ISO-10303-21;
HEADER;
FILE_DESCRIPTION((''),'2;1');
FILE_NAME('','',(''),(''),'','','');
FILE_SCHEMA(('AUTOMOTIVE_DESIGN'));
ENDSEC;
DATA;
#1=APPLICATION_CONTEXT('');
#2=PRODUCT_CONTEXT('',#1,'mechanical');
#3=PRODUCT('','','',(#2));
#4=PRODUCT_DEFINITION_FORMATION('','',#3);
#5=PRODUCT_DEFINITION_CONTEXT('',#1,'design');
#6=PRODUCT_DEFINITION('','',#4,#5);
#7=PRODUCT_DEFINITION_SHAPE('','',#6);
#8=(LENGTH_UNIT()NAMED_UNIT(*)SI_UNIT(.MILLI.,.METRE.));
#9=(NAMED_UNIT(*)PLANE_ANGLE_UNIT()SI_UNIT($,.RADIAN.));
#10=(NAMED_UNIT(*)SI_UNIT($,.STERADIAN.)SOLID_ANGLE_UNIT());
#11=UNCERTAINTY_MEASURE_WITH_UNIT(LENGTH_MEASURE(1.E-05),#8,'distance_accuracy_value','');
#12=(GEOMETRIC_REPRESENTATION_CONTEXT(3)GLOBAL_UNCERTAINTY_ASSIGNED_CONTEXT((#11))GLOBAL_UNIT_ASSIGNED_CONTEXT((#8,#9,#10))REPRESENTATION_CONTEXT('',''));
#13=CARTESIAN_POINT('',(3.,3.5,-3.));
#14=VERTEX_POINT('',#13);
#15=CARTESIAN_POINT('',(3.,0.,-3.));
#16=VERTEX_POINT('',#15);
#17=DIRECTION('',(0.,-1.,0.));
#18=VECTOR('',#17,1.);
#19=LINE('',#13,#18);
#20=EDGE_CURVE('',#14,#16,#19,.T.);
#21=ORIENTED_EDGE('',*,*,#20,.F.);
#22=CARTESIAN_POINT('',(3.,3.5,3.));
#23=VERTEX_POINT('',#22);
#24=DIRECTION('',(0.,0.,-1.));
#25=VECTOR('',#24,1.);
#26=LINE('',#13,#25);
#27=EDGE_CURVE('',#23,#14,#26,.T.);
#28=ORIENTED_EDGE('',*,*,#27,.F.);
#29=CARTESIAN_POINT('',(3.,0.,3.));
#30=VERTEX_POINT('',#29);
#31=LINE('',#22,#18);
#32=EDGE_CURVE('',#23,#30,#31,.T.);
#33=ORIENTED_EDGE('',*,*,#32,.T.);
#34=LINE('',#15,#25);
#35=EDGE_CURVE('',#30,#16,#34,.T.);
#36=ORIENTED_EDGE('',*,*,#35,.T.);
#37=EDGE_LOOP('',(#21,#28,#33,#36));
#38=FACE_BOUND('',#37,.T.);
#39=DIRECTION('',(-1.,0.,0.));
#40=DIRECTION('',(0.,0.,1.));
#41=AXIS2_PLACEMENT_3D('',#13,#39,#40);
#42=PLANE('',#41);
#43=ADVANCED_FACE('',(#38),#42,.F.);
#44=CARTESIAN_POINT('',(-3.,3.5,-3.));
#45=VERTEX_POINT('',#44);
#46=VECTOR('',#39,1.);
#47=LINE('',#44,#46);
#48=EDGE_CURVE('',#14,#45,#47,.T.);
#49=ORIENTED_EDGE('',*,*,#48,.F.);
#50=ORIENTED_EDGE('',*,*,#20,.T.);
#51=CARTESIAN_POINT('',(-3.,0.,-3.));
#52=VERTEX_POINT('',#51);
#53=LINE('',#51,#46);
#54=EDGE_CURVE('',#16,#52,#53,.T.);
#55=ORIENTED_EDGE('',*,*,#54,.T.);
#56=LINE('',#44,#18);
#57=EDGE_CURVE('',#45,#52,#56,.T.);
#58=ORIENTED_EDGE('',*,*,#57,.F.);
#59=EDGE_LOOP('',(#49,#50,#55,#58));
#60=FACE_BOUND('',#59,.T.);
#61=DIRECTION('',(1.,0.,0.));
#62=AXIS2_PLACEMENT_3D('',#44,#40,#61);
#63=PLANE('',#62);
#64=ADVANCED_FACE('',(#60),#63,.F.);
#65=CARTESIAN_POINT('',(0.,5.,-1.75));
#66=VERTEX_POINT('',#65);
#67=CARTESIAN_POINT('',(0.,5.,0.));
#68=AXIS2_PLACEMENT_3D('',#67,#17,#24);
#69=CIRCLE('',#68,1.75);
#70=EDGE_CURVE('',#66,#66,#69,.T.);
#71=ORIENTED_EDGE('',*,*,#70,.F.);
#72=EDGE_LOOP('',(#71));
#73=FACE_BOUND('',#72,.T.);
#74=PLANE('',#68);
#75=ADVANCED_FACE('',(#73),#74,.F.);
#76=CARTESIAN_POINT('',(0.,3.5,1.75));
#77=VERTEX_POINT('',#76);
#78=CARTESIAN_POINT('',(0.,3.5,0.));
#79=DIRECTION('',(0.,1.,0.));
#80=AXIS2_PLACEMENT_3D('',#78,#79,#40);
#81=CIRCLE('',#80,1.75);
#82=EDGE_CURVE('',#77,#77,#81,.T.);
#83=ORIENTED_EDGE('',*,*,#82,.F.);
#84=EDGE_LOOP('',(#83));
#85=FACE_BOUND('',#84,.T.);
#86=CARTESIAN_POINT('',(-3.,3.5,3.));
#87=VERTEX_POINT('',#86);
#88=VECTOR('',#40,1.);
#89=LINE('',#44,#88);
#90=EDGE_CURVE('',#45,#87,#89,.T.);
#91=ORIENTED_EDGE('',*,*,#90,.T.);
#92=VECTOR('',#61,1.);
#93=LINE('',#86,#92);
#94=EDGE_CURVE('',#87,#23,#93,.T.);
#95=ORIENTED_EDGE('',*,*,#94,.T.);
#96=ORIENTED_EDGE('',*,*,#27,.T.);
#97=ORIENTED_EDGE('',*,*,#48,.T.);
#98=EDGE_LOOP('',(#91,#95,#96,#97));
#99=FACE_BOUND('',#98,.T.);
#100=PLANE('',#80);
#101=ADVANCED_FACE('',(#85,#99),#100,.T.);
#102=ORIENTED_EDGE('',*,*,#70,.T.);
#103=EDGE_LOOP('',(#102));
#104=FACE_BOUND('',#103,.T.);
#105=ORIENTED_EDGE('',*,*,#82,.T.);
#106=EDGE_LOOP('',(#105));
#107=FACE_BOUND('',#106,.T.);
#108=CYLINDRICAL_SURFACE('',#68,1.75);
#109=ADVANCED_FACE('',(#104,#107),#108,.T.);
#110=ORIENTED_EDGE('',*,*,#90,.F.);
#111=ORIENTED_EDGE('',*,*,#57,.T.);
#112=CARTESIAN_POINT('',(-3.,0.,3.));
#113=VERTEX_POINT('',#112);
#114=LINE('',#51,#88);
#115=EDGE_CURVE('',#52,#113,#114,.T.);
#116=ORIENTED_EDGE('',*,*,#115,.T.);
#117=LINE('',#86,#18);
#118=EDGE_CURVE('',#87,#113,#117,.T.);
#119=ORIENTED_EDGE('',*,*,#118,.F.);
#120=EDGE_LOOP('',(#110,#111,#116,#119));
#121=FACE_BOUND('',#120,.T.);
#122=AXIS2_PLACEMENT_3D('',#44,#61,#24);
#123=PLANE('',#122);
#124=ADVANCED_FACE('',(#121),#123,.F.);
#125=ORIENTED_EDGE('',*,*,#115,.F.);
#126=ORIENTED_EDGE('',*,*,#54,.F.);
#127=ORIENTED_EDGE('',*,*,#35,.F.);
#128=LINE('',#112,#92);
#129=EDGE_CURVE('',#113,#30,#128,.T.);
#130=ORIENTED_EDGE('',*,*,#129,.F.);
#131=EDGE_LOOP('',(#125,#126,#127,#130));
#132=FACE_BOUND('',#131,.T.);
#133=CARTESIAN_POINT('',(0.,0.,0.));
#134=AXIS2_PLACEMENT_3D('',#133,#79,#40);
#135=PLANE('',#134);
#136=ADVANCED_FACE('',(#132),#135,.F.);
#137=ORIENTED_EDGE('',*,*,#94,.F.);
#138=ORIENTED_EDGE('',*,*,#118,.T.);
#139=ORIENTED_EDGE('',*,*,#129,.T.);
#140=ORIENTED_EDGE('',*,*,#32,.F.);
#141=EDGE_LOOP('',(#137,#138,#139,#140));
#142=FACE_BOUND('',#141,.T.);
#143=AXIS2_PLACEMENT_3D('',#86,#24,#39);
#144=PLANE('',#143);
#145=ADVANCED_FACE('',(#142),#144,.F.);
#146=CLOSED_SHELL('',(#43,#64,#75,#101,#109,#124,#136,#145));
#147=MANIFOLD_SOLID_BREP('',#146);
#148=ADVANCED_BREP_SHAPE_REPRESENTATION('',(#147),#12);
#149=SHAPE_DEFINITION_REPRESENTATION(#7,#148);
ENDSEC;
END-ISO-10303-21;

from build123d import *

# Parameters (mm, degrees)
SKETCH_1_W      = 6
SKETCH_1_H      = 6
EXTRUDE_1_DEPTH = 3.5
SKETCH_2_R      = 1.75
EXTRUDE_2_DEPTH = 5


with BuildPart() as part:
    # 草图1 → 凸台-拉伸1 (new body)
    with BuildSketch(Plane(origin=(0, 0, 0), x_dir=(1, 0, 0), z_dir=(0, 1, 0))):
        Rectangle(SKETCH_1_W, SKETCH_1_H)
    extrude(amount=EXTRUDE_1_DEPTH)

    # 草图2 → 凸台-拉伸2 (add)
    with BuildSketch(Plane.XZ):
        Circle(SKETCH_2_R)
    extrude(amount=-EXTRUDE_2_DEPTH)


solid = part.part
